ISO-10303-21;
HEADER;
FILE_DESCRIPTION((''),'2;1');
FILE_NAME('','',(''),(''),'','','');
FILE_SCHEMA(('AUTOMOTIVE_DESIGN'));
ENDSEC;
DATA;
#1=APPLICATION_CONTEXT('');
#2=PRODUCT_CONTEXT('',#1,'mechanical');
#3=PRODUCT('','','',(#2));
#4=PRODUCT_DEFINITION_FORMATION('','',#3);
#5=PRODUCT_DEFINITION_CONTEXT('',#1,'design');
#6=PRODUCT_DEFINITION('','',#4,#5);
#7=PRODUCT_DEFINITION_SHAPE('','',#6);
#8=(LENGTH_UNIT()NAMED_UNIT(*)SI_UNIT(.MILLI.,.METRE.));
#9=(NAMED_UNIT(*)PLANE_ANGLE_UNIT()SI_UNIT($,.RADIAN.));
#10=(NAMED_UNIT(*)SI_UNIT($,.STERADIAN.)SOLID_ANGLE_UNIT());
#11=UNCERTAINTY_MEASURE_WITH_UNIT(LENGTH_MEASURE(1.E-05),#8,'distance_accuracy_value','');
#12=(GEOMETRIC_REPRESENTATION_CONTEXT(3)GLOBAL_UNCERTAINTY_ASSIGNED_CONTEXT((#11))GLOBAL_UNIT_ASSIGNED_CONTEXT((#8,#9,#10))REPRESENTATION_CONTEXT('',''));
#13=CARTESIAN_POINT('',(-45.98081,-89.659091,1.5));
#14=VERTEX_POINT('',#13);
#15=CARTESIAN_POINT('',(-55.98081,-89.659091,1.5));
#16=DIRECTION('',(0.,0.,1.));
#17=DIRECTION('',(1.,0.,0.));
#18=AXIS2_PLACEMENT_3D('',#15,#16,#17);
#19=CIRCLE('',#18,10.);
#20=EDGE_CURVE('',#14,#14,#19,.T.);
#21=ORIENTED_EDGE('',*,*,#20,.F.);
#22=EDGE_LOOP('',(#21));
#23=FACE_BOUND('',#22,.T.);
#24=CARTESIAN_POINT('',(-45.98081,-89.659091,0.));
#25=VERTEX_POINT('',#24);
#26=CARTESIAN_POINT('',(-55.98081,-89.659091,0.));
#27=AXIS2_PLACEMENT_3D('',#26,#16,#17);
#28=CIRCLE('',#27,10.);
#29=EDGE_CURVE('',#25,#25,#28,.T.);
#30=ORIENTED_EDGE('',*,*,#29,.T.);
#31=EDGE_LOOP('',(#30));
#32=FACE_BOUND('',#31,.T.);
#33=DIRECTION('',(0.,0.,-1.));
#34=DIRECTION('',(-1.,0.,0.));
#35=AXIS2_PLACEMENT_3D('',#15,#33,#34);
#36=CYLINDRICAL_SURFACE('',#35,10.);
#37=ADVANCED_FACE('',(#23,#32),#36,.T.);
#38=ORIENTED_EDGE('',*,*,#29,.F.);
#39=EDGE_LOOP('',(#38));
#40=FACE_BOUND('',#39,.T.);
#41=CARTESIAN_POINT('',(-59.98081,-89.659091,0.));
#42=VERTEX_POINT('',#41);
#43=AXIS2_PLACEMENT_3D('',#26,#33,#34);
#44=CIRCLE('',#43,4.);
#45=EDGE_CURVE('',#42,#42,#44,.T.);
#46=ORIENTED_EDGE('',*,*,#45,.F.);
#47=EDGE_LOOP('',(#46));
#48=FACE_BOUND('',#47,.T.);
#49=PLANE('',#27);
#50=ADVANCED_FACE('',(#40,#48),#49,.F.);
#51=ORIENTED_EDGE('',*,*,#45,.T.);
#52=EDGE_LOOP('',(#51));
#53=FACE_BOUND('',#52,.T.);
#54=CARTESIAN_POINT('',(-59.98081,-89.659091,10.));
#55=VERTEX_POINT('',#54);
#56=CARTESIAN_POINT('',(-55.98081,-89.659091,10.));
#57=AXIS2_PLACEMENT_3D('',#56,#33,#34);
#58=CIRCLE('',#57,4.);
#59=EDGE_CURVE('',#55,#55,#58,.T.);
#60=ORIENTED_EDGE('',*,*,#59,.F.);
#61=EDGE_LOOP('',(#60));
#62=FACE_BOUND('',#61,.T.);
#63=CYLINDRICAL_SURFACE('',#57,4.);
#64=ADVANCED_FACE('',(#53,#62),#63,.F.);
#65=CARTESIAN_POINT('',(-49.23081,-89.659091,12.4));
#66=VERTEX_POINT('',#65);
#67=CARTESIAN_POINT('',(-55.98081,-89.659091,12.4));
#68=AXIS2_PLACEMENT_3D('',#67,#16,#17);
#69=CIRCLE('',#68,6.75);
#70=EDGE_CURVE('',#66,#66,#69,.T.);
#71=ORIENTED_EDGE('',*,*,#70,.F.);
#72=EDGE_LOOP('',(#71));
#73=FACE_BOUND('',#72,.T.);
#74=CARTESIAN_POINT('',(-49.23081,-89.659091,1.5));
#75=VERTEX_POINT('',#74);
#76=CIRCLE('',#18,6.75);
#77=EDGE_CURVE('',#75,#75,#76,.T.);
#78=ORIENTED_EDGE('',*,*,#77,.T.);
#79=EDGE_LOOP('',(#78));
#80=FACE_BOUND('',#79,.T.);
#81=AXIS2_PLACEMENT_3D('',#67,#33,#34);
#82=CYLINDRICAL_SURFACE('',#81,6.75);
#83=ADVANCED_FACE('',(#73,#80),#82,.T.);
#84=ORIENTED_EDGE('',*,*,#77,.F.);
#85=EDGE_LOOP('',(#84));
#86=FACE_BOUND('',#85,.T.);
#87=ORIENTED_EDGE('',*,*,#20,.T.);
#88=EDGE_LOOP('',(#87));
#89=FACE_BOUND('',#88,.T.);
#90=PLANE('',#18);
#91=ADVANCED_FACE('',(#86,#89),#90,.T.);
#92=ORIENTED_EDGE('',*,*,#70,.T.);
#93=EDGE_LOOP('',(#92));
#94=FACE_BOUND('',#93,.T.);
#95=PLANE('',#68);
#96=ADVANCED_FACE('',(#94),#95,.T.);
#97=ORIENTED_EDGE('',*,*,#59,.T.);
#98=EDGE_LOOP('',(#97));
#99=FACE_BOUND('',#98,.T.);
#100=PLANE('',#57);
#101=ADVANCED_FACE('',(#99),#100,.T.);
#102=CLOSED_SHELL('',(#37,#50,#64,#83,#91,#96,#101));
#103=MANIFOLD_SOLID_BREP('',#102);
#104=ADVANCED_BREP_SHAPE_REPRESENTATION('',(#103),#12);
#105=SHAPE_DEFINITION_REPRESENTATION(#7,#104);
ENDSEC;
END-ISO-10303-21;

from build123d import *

# Parameters (mm, degrees)
SKETCH_1_R          = 10
EXTRUDE_1_DEPTH     = 1.5
SKETCH_2_R          = 6.75
EXTRUDE_2_DEPTH     = 10.9
SKETCH_3_R          = 4
CUT_EXTRUDE_1_DEPTH = 10


with BuildPart() as part:
    # 草圖1 → 填料-伸長1 (new body)
    with BuildSketch(Plane.XY):
        with Locations((-55.980810071, -89.659090909)):
            Circle(SKETCH_1_R)
    extrude(amount=EXTRUDE_1_DEPTH)

    # 草圖2 → 填料-伸長2 (add)
    with BuildSketch(Plane.XY.offset(1.5)):
        with Locations((-55.980810071, -89.659090909)):
            Circle(SKETCH_2_R)
    extrude(amount=EXTRUDE_2_DEPTH)

    # 草圖3 → 除料-伸長1 (cut)
    with BuildSketch(Plane(origin=(0, 0, 0), x_dir=(-1, 0, 0), z_dir=(0, 0, -1))):
        with Locations((55.980810071, -89.659090909)):
            Circle(SKETCH_3_R)
    extrude(amount=-CUT_EXTRUDE_1_DEPTH, mode=Mode.SUBTRACT)


solid = part.part
